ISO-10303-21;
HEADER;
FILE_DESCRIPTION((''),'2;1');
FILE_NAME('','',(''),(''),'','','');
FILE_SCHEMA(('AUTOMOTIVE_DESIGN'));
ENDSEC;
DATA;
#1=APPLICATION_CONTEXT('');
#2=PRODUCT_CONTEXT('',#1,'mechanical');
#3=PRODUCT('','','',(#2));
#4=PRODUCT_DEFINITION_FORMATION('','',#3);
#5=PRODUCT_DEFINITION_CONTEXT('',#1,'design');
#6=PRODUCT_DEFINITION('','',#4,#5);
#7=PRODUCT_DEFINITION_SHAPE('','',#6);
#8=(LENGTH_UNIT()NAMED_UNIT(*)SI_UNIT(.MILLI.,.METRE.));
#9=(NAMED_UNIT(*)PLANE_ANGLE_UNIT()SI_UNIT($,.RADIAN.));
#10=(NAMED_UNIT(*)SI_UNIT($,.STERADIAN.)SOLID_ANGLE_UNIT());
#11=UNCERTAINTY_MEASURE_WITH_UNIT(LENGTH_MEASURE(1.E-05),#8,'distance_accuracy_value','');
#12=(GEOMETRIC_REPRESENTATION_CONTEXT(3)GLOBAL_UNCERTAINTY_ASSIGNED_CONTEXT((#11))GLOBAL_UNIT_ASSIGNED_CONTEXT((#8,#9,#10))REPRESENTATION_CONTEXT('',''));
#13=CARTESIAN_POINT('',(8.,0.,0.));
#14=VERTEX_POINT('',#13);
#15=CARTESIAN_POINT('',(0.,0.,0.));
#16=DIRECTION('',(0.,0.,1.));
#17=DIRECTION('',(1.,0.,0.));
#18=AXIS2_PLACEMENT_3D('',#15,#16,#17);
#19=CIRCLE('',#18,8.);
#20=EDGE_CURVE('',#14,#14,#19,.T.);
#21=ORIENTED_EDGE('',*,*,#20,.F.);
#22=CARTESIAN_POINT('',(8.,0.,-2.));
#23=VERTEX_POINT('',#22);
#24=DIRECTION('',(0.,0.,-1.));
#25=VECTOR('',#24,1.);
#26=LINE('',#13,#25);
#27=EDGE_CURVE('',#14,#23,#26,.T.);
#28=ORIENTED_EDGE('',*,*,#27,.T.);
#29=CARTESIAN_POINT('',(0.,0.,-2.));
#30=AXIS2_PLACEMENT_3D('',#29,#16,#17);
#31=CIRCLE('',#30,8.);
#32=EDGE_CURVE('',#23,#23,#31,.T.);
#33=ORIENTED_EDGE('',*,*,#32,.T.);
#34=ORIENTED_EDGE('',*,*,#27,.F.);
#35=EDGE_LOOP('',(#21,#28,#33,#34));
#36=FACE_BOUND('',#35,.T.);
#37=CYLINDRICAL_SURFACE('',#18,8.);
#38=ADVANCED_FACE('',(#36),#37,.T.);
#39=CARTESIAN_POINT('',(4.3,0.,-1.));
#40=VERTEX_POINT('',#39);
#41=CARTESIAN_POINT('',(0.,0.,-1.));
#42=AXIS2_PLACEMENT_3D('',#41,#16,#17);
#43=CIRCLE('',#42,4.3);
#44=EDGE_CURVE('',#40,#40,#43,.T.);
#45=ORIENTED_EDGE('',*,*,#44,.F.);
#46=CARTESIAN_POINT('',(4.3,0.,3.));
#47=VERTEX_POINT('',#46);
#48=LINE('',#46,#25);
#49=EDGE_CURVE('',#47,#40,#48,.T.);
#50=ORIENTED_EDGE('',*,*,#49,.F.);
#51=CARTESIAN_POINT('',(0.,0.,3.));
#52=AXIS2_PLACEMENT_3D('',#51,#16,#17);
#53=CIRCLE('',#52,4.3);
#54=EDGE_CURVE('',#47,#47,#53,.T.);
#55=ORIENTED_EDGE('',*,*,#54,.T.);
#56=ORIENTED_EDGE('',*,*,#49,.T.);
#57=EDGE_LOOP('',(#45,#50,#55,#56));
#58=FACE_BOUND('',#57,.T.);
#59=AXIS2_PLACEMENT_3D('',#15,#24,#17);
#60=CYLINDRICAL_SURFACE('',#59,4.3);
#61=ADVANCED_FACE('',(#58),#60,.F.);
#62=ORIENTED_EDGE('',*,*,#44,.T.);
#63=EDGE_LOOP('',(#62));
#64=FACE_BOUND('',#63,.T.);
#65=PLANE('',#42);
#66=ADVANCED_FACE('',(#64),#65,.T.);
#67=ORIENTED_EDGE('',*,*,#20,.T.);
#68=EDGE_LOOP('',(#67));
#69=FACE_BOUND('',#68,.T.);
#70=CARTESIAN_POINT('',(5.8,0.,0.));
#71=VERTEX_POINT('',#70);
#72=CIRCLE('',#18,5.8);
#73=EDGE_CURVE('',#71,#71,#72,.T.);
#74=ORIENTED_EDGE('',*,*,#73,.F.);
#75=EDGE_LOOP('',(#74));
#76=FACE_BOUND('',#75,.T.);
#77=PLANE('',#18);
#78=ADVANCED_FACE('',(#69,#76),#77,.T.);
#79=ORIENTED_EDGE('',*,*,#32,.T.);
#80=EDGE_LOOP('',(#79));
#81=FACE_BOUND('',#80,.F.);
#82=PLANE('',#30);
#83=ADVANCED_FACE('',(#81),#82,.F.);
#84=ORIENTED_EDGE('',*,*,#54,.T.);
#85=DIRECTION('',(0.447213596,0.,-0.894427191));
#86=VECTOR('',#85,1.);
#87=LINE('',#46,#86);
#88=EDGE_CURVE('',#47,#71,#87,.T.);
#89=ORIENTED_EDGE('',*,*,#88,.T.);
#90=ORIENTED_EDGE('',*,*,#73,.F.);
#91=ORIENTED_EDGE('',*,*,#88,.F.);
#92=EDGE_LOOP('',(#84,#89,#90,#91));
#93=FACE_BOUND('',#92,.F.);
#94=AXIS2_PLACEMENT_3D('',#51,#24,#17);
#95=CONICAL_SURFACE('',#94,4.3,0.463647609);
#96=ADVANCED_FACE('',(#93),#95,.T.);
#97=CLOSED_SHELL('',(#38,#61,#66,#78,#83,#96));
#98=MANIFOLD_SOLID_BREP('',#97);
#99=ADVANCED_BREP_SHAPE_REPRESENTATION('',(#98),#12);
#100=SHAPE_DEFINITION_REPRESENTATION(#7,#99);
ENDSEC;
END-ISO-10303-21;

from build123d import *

# Parameters (mm, degrees)
F0_R     = 5.8
F0_R_2   = 4.3
F1_DEPTH = 3
F0_R_3   = 8
F2_DEPTH = 2
F6_DEPTH = 1


with BuildPart() as f1:
    # F0 (on Top) → F1 (new body)
    with BuildSketch(Plane.XY):
        Circle(F0_R)
        Circle(F0_R_2, mode=Mode.SUBTRACT)
    extrude(amount=F1_DEPTH)

    # F0 (on Top) → F2 (join)
    with BuildSketch(Plane.XY):
        Circle(F0_R_3)
        Circle(F0_R, mode=Mode.SUBTRACT)
        Circle(F0_R)
        Circle(F0_R_2, mode=Mode.SUBTRACT)
        Circle(F0_R_2)
    extrude(amount=-F2_DEPTH)

    # F3 (on Front) → F5 (revolve, cut)
    with BuildSketch(Plane.XZ):
        Polygon((5.8, 3), (4.3, 3), (5.8, 0), align=None)
    revolve(axis=Axis((0, 0, 7.644158), (0, 0, 1)), mode=Mode.SUBTRACT)

    # F0 (on Top) → F6 (cut)
    with BuildSketch(Plane.XY):
        Circle(F0_R_2)
    extrude(amount=-F6_DEPTH, mode=Mode.SUBTRACT)


solid = f1.part
